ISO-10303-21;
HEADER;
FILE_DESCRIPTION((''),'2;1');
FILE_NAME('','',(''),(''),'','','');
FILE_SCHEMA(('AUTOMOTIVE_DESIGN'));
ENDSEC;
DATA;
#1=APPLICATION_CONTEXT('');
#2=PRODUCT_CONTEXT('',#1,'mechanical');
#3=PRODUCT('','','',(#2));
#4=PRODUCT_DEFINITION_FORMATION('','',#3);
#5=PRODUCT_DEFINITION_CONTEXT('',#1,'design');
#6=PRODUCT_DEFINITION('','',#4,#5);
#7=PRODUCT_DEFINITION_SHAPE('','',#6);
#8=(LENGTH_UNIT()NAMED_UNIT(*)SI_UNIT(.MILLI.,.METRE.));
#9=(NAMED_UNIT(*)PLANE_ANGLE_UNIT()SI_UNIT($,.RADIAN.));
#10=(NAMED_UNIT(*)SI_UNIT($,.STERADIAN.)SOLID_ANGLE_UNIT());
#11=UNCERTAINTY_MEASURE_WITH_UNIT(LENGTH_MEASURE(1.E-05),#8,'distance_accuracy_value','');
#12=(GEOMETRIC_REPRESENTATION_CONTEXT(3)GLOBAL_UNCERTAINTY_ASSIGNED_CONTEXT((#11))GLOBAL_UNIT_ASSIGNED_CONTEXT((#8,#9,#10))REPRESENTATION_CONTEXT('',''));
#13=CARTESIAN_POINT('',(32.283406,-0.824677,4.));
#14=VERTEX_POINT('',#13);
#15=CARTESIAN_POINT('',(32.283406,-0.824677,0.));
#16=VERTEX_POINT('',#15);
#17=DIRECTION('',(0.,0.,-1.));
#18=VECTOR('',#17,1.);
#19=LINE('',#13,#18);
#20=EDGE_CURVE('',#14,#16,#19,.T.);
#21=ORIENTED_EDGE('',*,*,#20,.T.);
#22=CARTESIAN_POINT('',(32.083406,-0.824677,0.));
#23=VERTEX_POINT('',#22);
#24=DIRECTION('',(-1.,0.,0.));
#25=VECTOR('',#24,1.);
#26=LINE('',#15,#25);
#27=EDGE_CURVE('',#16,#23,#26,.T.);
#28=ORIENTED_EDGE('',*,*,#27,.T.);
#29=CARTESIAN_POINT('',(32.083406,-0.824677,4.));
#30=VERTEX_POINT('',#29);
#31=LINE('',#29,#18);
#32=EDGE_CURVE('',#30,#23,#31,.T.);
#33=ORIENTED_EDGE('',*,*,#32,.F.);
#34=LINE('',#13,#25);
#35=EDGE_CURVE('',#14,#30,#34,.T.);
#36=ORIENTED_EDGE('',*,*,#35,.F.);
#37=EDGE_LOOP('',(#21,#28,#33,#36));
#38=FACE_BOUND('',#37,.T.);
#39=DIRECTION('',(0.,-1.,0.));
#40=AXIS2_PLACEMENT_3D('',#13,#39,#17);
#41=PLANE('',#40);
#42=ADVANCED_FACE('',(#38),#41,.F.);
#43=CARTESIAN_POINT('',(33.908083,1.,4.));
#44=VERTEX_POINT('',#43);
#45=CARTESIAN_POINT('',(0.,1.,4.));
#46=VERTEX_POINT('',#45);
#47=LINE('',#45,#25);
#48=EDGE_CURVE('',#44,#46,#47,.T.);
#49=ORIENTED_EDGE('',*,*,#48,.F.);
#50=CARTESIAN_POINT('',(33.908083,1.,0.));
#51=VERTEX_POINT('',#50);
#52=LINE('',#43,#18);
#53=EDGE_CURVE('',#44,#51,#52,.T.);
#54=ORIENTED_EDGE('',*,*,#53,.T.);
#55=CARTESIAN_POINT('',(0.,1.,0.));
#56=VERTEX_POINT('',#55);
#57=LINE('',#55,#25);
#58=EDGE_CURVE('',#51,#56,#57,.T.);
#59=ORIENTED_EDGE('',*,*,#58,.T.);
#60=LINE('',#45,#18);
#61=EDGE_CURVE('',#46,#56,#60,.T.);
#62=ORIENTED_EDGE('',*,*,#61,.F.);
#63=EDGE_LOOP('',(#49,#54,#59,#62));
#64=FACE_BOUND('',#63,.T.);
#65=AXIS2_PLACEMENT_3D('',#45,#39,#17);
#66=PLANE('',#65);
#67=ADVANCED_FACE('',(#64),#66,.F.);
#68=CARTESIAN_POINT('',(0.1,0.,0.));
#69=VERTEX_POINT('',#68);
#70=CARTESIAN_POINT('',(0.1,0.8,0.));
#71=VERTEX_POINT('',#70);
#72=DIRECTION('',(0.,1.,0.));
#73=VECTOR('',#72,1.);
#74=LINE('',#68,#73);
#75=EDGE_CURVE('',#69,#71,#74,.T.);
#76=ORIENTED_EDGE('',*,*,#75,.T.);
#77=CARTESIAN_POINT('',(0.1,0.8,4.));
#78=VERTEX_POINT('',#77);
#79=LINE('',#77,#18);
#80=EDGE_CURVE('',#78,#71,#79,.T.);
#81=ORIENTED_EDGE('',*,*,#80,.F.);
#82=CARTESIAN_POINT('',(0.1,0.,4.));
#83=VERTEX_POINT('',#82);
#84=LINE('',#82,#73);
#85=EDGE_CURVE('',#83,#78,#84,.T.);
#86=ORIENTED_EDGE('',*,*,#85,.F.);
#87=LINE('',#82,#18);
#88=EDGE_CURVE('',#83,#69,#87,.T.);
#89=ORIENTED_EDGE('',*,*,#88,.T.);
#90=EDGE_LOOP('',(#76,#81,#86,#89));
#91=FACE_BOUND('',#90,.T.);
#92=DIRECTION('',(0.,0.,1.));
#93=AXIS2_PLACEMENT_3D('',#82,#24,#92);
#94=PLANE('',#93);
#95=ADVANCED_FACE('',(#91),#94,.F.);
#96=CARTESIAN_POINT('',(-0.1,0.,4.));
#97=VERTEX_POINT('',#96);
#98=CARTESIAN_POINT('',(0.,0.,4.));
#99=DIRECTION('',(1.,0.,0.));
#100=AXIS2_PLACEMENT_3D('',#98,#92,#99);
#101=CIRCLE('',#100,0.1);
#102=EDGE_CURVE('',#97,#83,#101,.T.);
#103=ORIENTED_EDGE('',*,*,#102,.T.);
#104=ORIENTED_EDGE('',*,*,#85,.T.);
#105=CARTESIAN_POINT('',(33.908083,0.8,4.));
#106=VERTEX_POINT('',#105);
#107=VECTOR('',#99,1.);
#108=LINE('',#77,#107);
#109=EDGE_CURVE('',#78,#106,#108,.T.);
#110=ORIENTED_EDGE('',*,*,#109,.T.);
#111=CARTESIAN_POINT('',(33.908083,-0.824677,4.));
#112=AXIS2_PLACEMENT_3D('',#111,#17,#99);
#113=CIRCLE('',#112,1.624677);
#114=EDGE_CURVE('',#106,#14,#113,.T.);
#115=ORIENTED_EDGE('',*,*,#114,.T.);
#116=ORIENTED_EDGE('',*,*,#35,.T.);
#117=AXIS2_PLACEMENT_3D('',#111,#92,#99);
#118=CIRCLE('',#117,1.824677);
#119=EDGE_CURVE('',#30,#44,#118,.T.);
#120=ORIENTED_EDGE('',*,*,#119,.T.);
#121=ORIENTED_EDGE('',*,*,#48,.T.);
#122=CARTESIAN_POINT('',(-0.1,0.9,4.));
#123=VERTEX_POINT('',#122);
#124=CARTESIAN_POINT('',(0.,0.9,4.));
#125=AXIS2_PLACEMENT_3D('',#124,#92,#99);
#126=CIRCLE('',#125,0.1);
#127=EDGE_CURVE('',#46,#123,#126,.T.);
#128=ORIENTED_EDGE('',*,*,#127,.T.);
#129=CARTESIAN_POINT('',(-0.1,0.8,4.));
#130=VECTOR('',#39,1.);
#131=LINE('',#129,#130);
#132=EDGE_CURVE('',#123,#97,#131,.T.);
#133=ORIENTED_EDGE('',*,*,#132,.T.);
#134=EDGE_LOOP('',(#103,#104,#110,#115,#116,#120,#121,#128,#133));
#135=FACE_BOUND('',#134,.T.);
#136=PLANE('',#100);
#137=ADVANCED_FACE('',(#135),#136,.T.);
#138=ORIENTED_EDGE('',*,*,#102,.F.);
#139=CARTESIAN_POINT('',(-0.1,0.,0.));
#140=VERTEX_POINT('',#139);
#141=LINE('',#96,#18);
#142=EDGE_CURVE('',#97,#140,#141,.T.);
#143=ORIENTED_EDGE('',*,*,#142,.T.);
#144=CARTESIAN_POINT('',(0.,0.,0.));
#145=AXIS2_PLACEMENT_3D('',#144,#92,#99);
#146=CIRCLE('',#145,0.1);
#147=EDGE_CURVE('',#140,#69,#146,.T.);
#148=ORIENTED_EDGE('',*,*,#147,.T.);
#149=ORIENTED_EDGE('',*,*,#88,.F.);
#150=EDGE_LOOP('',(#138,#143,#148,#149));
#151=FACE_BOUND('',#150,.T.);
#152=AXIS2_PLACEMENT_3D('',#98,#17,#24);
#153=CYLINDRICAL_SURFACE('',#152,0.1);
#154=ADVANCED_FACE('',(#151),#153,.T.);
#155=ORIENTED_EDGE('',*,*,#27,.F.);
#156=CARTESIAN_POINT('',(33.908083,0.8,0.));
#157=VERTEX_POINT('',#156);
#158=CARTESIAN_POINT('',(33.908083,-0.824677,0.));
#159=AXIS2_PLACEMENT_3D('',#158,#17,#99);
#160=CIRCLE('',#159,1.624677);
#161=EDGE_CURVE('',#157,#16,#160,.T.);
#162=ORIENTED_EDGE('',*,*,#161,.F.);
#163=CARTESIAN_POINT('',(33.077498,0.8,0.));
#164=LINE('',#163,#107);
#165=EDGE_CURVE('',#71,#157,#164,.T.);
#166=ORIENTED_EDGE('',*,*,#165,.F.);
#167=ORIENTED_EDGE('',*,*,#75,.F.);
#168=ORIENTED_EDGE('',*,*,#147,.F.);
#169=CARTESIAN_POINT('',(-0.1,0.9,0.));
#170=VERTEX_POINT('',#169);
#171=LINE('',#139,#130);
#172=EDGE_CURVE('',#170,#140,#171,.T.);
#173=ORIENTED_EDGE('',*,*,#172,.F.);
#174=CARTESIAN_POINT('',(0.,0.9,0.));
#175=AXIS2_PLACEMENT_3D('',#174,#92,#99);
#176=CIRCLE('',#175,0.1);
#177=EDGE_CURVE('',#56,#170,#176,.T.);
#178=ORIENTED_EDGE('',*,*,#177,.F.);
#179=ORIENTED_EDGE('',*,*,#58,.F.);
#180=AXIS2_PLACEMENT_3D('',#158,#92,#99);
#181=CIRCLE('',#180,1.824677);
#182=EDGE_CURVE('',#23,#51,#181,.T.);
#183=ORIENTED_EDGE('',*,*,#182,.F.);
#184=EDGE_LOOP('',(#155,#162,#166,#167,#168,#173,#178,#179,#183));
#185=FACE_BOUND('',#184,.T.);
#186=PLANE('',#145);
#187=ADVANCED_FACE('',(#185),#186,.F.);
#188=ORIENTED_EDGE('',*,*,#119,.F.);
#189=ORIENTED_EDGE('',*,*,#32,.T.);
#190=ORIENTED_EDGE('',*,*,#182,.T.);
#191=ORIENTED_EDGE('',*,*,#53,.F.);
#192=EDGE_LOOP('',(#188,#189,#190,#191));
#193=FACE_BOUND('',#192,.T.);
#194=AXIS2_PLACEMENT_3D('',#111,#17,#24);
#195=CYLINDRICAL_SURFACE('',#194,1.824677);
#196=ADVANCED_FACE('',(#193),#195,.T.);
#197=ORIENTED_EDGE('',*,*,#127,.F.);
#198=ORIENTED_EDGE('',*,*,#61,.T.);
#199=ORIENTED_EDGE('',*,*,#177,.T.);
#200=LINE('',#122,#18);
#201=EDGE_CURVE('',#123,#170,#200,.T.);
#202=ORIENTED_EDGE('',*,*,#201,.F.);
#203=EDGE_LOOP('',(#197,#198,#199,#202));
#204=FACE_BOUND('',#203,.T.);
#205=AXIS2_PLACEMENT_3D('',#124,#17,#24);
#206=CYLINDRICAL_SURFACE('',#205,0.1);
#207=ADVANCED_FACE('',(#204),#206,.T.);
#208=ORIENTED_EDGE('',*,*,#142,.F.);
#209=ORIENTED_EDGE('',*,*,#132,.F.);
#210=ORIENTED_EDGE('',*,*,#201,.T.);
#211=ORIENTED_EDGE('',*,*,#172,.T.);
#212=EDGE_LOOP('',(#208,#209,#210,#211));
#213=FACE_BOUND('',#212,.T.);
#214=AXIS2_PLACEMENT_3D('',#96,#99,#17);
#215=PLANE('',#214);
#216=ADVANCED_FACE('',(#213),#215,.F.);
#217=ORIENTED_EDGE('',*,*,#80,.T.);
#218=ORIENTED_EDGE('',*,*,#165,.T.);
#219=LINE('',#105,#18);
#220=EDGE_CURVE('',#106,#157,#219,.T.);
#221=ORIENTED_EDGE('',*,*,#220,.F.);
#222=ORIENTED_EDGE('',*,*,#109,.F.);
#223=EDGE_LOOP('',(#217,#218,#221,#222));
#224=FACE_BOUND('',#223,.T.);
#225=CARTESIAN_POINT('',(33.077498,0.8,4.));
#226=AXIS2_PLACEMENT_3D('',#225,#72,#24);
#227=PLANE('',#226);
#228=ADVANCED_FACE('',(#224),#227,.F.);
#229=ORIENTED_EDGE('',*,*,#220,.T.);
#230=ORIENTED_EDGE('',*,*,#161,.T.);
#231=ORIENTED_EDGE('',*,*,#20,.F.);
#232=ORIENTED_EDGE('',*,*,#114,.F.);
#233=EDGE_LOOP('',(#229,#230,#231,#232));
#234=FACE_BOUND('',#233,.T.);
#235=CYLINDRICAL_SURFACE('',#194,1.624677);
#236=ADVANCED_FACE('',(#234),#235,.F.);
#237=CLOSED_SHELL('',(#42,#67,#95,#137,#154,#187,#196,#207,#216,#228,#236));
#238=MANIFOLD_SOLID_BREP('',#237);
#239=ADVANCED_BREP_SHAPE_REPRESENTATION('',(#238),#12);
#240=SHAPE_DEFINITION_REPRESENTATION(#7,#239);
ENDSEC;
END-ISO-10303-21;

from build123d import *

# Parameters (mm, degrees)
RESSALTO_EXTRUS_O1_DEPTH = 4


with BuildPart() as part:
    # Esboço1 → Ressalto-extrusão1 (new body)
    with BuildSketch(Plane.XY):
        with BuildLine():
            Line((0.1, 0), (0.1, 0.8))
            Line((0.1, 0.8), (33.077498183, 0.8))
            Line((33.077498183, 0.8), (33.908082875, 0.8))
            ThreePointArc((33.908082875, 0.8), (35.05690323, -1.973497683), (32.283405548, -0.824677327))
            Line((32.283405548, -0.824677327), (32.083405548, -0.824677327))
            ThreePointArc((32.083405548, -0.824677327), (35.198324587, -2.114919039), (33.908082875, 1))
            Line((33.908082875, 1), (0, 1))
            ThreePointArc((0, 1), (-0.070710678, 0.970710678), (-0.1, 0.9))
            Line((-0.1, 0.9), (-0.1, 0.8))
            Line((-0.1, 0.8), (-0.1, 0))
            ThreePointArc((-0.1, 0), (0, -0.1), (0.1, 0))
        make_face()
    extrude(amount=RESSALTO_EXTRUS_O1_DEPTH)


solid = part.part
